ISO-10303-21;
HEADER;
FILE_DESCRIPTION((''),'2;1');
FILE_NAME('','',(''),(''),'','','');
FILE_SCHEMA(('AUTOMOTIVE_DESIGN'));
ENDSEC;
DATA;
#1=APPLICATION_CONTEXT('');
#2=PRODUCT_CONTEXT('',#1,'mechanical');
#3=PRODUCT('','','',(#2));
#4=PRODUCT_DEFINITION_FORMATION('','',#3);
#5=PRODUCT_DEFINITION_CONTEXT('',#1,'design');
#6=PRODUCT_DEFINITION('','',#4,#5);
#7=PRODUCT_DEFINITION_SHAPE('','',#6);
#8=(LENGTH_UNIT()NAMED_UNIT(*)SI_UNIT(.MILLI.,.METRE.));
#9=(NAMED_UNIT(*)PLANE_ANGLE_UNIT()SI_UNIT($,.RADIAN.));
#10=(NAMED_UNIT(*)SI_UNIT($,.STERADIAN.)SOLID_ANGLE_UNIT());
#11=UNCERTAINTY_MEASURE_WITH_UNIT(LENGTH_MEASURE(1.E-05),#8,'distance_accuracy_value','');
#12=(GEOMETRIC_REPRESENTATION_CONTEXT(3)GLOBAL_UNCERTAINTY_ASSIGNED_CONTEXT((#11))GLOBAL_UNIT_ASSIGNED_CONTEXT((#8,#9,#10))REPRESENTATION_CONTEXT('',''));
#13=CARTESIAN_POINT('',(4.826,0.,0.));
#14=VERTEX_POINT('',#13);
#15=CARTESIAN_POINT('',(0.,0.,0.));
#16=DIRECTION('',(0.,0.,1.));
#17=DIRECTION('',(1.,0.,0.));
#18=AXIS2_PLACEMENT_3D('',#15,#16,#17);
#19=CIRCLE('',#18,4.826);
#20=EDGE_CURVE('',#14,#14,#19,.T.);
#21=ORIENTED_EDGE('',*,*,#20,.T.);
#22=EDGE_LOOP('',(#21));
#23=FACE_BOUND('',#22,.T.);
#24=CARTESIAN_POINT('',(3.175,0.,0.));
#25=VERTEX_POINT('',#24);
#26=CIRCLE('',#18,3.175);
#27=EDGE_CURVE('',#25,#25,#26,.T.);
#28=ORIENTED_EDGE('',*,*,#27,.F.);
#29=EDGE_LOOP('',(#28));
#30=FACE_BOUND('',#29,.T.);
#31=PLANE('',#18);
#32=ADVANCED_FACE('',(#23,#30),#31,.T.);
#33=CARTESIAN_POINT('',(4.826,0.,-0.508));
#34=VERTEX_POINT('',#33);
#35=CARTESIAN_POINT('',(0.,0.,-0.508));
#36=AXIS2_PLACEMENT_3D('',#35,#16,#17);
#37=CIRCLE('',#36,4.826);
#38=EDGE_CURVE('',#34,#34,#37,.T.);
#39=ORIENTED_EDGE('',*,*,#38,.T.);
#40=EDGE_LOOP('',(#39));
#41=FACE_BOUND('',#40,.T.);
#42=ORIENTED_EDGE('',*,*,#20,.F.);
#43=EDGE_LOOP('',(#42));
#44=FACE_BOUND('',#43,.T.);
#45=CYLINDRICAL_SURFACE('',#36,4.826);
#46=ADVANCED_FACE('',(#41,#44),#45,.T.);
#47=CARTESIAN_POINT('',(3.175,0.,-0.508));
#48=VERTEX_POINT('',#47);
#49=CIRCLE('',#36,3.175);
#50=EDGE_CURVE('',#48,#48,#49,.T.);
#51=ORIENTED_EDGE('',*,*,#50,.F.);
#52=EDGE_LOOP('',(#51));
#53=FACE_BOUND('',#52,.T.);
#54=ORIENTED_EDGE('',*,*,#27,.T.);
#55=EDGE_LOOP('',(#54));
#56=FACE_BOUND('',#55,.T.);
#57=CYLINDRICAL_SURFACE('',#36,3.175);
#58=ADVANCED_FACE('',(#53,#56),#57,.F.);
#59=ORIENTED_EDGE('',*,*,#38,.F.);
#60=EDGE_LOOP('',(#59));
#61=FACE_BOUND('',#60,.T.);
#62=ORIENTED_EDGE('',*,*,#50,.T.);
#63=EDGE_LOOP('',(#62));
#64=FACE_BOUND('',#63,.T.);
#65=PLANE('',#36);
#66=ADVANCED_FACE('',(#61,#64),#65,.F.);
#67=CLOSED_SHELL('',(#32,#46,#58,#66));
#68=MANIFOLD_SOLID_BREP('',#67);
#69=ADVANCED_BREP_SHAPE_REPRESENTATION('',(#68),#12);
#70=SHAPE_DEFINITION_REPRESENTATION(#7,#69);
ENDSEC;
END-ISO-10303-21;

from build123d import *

# Parameters (mm, degrees)
SKETCH1_R      = 4.826
SKETCH1_R_2    = 3.175
EXTRUDE1_DEPTH = 0.508


with BuildPart() as part:
    # Sketch1 → Extrude1 (new body)
    with BuildSketch(Plane.XY):
        Circle(SKETCH1_R)
        Circle(SKETCH1_R_2, mode=Mode.SUBTRACT)
    extrude(amount=-EXTRUDE1_DEPTH)


solid = part.part
